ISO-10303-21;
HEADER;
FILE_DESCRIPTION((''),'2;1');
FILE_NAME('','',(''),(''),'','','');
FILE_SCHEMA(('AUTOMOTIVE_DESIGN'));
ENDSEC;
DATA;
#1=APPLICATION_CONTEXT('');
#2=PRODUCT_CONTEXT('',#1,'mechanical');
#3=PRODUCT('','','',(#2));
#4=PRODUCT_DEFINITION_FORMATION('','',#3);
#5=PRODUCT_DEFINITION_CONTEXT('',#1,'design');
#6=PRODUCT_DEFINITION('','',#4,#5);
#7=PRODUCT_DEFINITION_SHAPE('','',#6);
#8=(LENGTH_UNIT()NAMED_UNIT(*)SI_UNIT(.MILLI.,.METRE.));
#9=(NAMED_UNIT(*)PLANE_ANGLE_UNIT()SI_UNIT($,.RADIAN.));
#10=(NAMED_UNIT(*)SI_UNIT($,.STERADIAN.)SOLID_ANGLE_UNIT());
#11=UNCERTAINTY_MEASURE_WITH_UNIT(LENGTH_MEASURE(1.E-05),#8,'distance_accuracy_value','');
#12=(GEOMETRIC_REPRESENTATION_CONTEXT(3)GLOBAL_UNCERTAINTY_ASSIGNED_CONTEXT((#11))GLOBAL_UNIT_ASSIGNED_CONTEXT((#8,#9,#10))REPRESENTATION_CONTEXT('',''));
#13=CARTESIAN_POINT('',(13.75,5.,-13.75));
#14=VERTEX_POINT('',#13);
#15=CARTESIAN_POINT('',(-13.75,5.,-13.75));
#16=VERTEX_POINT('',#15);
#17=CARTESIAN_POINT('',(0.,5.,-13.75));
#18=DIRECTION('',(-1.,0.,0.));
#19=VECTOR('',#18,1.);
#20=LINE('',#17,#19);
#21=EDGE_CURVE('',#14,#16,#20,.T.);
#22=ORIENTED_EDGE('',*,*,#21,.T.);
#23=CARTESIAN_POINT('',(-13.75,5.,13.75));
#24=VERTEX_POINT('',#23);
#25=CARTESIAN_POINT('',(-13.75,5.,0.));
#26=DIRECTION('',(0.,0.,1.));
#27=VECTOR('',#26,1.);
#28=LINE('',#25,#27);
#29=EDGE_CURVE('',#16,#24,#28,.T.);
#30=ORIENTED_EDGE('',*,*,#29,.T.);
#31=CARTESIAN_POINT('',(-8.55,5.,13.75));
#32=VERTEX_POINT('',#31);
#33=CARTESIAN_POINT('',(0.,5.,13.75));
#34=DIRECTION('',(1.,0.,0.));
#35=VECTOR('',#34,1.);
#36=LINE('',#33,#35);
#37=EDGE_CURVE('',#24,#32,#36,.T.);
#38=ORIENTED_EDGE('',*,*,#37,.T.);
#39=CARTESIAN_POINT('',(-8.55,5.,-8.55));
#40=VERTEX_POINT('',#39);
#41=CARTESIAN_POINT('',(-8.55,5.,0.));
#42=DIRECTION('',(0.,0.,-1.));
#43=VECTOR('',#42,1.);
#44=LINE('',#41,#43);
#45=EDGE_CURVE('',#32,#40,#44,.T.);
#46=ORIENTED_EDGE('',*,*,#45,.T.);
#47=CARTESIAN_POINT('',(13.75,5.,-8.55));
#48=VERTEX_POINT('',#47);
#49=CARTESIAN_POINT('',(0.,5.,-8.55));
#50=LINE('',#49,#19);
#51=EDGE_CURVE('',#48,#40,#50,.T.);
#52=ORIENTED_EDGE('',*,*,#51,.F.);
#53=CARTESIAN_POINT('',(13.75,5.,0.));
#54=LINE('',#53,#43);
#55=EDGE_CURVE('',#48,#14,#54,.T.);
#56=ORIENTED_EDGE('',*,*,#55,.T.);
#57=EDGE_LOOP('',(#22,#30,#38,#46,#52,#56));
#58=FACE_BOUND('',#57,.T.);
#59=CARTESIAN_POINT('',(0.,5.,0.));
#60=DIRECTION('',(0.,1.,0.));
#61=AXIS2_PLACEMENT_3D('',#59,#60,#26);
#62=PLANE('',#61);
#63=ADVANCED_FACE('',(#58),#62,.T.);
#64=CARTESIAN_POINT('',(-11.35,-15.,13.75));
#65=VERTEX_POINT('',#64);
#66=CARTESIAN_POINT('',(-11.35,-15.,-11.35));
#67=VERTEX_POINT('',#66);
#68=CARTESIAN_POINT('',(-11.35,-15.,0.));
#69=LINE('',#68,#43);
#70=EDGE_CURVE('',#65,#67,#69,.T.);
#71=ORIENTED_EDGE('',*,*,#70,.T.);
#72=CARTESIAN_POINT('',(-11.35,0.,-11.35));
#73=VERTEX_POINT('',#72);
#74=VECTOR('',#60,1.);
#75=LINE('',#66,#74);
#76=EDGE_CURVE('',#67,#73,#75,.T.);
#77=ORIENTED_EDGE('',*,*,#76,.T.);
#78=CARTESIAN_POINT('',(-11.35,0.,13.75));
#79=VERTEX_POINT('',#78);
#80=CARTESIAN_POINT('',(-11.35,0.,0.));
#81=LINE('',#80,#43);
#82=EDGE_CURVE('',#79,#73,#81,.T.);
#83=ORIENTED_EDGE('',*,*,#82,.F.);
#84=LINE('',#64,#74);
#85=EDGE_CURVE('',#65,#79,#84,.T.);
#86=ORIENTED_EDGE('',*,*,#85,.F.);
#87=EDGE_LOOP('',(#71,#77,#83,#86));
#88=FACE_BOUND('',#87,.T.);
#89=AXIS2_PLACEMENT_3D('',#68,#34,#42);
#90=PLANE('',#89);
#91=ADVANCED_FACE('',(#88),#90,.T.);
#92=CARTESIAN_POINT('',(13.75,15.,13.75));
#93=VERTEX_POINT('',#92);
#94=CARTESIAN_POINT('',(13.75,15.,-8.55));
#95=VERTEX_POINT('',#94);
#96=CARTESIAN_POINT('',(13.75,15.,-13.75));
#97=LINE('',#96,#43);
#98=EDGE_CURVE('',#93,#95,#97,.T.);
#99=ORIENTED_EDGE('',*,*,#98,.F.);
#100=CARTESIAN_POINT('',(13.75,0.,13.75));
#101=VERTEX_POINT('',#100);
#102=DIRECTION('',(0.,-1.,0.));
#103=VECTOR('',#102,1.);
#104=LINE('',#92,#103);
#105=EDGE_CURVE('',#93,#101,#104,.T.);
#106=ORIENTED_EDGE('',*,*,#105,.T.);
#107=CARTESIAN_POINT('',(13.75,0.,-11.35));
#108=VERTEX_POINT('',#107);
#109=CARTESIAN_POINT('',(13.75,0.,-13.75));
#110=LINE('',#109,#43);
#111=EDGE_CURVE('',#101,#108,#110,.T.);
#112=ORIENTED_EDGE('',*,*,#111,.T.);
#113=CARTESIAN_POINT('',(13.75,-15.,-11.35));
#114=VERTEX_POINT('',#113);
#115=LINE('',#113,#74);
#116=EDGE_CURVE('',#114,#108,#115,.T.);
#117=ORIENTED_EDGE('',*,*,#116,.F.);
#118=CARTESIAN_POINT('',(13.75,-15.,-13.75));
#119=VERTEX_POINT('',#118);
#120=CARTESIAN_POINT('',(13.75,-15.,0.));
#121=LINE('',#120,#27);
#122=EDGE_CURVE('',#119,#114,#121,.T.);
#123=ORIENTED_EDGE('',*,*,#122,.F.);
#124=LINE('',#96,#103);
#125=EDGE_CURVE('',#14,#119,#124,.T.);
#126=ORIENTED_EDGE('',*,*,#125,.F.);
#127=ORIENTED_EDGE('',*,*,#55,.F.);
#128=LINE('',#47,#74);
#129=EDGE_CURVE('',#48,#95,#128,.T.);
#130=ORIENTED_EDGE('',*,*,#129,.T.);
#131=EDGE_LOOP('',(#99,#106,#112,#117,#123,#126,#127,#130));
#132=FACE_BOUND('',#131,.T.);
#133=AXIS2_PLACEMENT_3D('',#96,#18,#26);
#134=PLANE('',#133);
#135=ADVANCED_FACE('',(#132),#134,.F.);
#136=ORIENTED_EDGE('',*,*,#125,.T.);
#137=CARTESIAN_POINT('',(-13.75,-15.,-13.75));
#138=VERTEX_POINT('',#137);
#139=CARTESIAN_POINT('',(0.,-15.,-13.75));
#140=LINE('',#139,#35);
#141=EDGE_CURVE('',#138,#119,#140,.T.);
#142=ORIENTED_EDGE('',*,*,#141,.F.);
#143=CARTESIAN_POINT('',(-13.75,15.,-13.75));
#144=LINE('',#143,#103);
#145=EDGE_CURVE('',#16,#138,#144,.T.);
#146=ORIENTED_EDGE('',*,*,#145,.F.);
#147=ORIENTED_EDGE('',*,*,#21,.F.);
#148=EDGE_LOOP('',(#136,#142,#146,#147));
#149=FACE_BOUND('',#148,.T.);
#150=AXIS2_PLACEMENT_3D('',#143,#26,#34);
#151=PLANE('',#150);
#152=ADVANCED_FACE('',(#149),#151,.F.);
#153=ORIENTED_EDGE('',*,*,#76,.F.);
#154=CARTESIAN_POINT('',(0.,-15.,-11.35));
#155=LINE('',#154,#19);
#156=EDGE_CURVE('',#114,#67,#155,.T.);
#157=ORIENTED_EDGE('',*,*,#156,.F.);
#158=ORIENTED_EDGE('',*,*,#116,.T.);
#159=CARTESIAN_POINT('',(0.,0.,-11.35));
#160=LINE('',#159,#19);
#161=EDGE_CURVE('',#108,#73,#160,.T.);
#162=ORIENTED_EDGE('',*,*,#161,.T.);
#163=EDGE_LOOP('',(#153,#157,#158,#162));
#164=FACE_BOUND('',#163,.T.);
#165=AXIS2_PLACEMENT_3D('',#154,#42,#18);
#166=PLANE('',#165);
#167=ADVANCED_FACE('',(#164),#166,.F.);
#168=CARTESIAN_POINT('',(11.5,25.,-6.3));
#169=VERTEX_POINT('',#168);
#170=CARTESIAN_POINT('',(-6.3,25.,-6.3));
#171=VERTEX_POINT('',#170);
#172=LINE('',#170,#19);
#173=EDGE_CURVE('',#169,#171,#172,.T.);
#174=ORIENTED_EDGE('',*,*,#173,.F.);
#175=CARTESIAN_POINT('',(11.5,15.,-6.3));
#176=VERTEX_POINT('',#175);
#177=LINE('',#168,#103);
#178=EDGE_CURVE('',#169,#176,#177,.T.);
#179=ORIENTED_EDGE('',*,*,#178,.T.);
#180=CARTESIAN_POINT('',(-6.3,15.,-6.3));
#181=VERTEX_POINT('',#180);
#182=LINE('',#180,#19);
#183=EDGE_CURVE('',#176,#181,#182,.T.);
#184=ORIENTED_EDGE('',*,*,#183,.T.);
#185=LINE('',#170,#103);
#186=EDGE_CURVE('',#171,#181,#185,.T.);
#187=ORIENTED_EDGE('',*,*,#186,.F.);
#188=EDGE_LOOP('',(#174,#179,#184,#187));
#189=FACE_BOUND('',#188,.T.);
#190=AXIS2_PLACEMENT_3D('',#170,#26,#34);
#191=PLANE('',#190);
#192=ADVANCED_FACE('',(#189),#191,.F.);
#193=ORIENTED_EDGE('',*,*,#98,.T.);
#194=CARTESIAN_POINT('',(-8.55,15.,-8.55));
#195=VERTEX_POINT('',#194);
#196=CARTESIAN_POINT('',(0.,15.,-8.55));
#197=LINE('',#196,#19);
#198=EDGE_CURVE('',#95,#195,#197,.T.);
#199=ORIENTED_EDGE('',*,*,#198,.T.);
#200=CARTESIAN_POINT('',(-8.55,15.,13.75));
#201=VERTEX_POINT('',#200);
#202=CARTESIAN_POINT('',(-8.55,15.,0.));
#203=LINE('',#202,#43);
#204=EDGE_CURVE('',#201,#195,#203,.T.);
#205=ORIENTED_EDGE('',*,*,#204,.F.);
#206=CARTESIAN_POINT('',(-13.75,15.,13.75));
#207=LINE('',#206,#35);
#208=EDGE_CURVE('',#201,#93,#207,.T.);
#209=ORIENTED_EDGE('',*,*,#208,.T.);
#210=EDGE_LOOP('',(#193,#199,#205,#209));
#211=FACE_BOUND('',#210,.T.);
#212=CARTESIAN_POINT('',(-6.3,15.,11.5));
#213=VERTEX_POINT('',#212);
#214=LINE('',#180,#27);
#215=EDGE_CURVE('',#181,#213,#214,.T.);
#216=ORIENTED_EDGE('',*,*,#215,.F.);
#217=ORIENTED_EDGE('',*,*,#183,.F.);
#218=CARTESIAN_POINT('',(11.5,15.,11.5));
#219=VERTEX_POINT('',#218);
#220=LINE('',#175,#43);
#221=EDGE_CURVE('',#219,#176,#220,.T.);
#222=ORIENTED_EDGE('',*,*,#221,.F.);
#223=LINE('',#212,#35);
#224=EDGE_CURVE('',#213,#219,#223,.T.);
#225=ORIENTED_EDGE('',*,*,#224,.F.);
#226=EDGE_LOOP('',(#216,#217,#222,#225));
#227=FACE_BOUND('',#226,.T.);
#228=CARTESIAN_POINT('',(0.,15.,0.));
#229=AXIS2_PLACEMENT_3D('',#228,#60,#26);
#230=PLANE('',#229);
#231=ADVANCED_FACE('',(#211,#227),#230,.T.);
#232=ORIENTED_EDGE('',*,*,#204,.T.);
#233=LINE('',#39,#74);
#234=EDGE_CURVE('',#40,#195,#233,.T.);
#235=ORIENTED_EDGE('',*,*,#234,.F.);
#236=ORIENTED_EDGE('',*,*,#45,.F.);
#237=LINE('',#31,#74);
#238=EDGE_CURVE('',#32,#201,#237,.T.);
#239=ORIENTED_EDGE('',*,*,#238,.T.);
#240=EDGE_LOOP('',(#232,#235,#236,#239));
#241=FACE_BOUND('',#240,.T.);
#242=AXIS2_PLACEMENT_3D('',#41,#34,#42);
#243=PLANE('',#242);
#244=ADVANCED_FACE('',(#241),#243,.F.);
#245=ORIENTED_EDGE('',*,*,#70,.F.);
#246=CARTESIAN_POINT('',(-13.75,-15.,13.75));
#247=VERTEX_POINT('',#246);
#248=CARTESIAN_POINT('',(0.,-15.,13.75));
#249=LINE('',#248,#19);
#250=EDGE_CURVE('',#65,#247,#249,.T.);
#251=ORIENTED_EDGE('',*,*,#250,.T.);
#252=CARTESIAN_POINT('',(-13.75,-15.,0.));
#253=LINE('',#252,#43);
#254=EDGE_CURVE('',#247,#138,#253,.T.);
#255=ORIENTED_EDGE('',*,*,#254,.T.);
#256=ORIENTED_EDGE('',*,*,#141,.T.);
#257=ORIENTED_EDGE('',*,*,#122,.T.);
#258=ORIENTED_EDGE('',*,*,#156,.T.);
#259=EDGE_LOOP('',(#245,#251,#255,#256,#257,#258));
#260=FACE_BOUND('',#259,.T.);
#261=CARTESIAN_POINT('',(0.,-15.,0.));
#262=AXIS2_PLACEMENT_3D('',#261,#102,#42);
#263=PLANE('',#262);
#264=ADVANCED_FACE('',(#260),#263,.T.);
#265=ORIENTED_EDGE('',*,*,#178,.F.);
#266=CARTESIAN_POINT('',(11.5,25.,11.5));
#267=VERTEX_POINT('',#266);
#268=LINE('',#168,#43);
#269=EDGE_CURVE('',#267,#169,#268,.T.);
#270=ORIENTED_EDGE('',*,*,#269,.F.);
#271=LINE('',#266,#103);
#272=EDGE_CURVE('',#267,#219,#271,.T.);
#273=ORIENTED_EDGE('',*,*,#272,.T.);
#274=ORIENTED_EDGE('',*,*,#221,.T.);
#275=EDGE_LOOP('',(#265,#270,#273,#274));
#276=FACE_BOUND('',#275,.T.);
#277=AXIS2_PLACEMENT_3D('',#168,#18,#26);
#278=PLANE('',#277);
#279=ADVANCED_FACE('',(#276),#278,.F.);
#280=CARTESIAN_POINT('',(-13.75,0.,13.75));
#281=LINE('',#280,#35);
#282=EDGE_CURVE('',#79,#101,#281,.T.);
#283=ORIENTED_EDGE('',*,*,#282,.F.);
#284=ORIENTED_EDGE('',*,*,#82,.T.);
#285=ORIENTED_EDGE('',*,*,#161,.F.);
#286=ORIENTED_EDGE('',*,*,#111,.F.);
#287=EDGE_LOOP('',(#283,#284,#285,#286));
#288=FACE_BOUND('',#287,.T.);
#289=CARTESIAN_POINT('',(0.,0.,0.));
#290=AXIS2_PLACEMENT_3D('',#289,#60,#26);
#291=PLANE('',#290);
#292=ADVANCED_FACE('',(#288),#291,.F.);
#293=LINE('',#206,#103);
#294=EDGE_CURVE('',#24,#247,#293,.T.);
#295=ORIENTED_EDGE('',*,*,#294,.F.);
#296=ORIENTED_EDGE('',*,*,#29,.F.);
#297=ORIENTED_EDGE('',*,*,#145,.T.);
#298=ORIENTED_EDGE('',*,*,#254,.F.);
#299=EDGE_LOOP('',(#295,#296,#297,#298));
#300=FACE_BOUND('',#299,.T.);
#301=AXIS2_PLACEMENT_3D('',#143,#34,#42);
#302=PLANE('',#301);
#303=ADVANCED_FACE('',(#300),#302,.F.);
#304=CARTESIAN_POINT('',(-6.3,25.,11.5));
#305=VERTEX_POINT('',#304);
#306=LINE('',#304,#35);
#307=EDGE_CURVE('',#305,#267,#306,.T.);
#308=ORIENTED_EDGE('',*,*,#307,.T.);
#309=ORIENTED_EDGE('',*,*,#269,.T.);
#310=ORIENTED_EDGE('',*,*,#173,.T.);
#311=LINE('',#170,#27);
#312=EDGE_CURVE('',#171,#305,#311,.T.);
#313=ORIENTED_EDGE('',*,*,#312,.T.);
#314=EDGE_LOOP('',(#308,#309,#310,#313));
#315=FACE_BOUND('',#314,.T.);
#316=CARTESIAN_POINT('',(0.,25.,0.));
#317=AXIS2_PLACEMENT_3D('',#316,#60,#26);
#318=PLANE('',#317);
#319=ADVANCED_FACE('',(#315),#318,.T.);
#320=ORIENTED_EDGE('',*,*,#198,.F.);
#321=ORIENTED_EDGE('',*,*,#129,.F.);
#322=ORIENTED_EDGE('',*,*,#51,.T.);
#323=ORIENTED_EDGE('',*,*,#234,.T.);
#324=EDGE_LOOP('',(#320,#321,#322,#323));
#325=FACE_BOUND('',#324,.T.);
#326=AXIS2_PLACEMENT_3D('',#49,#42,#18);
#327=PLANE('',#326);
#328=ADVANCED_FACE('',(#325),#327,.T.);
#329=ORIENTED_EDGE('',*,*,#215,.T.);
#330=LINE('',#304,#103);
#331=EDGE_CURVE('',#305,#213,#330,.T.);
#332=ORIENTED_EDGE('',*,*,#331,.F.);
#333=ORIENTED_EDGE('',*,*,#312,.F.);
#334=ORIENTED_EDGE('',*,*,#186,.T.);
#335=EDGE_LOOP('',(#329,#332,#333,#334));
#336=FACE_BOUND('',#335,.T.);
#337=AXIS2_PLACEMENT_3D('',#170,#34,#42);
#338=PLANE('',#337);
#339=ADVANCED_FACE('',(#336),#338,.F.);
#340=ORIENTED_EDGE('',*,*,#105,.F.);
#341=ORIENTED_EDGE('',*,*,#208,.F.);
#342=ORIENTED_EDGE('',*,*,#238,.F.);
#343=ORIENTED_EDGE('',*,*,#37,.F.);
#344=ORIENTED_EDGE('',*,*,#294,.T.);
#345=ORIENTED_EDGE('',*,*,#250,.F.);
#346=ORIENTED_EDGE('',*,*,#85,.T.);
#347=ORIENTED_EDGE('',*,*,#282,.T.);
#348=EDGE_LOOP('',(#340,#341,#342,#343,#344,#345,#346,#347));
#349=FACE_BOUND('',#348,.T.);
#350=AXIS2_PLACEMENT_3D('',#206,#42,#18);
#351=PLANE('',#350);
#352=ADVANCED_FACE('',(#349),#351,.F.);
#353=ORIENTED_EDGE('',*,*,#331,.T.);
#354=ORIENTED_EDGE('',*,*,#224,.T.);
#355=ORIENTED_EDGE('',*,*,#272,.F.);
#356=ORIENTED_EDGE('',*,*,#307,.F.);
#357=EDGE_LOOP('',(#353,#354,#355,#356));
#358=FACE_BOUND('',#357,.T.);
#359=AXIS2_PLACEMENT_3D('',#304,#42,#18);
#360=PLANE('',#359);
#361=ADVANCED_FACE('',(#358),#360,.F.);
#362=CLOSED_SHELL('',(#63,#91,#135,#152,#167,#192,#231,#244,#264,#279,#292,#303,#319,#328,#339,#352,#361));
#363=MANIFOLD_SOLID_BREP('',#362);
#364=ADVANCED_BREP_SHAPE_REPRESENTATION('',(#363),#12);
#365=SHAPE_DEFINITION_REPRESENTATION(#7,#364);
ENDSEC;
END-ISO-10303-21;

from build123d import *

# Parameters (mm, degrees)
SKETCH1_W           = 27.5
SKETCH1_H           = 27.5
BOSS_EXTRUDE3_DEPTH = 15
CUT_EXTRUDE1_DEPTH  = 10
SKETCH4_W           = 17.8
SKETCH4_H           = 17.8
BOSS_EXTRUDE4_DEPTH = 10
BOSS_EXTRUDE5_DEPTH = 15


with BuildPart() as part:
    # Sketch1 → Boss-Extrude3 (new body)
    with BuildSketch(Plane(origin=(0, 0, 0), x_dir=(1, 0, 0), z_dir=(0, 1, 0))):
        Rectangle(SKETCH1_W, SKETCH1_H)
    extrude(amount=BOSS_EXTRUDE3_DEPTH)

    # Sketch3 → Cut-Extrude1 (cut)
    with BuildSketch(Plane(origin=(0, 15, 0), x_dir=(1, 0, 0), z_dir=(0, 1, 0))):
        Polygon((-13.75, -13.75), (-8.55, -13.75), (-8.55, 8.55), (13.75, 8.55), (13.75, 13.75), (-13.75, 13.75), align=None)
    extrude(amount=-CUT_EXTRUDE1_DEPTH, mode=Mode.SUBTRACT)

    # Sketch4 → Boss-Extrude4 (add)
    with BuildSketch(Plane(origin=(0, 15, 0), x_dir=(1, 0, 0), z_dir=(0, 1, 0))):
        with Locations((2.6, -2.6)):
            Rectangle(SKETCH4_W, SKETCH4_H)
    extrude(amount=BOSS_EXTRUDE4_DEPTH)

    # Sketch6 → Boss-Extrude5 (add)
    with BuildSketch(Plane.XZ):
        Polygon((-11.35, -11.35), (-11.35, 13.75), (-13.75, 13.75), (-13.75, -13.75), (13.75, -13.75), (13.75, -11.35), align=None)
    extrude(amount=BOSS_EXTRUDE5_DEPTH)


solid = part.part
